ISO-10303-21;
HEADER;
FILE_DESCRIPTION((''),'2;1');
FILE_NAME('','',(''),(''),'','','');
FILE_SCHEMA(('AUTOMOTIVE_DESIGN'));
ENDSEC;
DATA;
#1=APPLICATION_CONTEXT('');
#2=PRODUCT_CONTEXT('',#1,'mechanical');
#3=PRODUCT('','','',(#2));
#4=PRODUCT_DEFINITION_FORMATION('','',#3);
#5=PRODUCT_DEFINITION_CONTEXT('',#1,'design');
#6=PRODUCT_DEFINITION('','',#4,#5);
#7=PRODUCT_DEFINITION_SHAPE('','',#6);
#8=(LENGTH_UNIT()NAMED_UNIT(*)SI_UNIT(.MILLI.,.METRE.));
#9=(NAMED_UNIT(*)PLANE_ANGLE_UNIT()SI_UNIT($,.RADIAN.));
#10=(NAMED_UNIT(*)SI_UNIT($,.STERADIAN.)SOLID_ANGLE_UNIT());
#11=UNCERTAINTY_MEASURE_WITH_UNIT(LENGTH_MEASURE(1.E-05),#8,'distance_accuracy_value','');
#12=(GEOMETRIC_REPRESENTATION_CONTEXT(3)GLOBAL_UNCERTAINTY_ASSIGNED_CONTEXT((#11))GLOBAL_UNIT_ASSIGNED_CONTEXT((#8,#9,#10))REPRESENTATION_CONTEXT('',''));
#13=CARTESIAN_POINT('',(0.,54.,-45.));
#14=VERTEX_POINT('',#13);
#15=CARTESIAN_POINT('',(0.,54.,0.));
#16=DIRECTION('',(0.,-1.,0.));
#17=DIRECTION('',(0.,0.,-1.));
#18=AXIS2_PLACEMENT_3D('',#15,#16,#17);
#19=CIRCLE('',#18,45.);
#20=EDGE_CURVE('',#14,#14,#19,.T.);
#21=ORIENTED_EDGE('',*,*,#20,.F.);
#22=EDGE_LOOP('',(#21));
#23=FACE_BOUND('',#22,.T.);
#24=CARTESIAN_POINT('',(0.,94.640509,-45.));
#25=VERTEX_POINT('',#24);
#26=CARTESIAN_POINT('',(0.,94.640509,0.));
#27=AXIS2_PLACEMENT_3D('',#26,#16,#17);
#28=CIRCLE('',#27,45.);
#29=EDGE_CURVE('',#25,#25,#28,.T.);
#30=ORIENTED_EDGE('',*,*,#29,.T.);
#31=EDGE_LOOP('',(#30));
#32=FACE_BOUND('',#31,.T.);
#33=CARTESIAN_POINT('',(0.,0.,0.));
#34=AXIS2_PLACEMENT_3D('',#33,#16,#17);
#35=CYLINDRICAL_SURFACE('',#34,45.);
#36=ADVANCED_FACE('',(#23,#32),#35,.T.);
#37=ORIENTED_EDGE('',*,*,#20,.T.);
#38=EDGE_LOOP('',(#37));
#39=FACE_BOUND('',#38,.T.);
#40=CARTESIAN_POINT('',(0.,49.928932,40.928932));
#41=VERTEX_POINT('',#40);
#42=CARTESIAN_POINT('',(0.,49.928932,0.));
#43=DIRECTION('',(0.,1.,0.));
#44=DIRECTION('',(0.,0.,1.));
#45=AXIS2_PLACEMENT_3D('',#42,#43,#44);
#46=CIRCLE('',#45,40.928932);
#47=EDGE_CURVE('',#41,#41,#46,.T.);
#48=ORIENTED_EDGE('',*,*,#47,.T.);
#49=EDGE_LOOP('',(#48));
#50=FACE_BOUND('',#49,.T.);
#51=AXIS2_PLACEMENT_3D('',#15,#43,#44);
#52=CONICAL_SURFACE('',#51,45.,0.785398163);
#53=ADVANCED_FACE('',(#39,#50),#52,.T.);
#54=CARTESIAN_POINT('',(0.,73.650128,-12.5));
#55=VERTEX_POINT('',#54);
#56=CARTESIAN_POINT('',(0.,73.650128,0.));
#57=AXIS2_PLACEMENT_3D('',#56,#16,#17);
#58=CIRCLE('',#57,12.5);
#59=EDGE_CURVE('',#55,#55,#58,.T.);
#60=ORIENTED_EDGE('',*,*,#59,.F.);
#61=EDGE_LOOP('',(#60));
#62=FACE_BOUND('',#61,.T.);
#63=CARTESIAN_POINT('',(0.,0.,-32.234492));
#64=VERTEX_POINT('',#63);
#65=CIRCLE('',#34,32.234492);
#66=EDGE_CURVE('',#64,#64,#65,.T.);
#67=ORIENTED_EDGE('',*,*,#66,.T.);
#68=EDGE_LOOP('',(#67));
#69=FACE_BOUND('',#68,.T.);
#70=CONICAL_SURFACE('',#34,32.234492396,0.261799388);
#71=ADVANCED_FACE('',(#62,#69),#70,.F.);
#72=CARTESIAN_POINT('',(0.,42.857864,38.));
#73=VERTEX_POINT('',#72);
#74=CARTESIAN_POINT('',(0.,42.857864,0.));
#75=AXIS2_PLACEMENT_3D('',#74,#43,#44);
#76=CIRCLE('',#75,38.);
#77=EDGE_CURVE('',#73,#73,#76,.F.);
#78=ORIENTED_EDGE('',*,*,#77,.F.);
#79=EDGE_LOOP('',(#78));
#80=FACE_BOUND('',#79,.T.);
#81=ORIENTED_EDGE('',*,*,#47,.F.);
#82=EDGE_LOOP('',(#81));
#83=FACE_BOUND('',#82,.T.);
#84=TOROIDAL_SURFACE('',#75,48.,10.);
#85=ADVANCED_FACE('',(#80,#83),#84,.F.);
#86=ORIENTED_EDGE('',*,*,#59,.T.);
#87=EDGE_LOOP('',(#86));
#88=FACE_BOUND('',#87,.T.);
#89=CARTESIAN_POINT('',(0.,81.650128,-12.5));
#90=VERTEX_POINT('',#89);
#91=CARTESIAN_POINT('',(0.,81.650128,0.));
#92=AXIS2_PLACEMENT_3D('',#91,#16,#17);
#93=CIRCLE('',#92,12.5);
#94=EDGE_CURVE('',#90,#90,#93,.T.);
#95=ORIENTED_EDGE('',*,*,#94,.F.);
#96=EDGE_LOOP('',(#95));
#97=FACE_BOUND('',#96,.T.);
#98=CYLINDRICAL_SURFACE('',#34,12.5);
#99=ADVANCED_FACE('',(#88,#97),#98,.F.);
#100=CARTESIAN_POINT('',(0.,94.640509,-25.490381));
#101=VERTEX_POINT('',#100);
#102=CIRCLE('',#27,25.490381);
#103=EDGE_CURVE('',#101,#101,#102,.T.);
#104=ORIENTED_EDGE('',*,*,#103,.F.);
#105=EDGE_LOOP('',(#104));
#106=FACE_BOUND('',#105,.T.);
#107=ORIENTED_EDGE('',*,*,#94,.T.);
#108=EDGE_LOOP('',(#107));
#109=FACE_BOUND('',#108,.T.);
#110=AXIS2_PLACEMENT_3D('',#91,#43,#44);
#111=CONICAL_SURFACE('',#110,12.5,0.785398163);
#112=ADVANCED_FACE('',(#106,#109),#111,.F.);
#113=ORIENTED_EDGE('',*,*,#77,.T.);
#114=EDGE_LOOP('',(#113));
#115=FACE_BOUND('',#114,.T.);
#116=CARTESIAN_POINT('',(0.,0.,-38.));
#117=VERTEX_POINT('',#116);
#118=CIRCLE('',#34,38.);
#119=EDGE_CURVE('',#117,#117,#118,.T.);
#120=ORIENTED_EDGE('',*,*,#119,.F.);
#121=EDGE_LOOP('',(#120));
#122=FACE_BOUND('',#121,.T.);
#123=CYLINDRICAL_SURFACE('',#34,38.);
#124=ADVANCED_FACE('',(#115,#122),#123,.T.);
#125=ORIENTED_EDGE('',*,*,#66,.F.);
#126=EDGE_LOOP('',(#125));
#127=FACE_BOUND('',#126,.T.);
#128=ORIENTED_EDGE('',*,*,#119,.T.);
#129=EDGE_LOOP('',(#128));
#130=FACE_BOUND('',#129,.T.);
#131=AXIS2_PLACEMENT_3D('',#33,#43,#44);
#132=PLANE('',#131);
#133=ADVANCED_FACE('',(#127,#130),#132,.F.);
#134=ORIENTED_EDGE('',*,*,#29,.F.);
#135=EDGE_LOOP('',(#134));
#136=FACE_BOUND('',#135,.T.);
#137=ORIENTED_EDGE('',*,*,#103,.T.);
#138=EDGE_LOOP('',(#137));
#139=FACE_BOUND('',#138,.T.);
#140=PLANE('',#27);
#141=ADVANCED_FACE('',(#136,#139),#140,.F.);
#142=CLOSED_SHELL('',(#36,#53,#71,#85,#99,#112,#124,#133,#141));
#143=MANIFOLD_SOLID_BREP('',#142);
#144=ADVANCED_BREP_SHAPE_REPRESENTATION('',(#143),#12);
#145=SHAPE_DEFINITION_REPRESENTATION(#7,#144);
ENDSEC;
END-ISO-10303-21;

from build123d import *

# Parameters (mm, degrees)
SCHIZZO4_W  = 25
SCHIZZO4_H  = 30
SCHIZZO5_W  = 7
SCHIZZO5_H  = 40.640509339
RACCORDO1_R = 10


with BuildPart() as part:
    # Schizzo1 → Rivoluzione1 (revolve)
    with BuildSketch(Plane.XY, mode=Mode.PRIVATE) as rivoluzione1_sk:
        Polygon((-32.234492396, 0), (-12.5, 73.650128282), (-12.5, 81.650128282), (-25.490381057, 94.640509339), (-63, 94.640509339), (-38, 64.640509339), (-38, 0), align=None)
    revolve(rivoluzione1_sk.sketch.rotate(Axis((0, 0, 0), (0, 1, 0)), 270), axis=Axis((0, 0, 0), (0, 1, 0)))

    # Schizzo4 → Taglia-Rivoluzione3 (revolve, cut)
    with BuildSketch(Plane.XY, mode=Mode.PRIVATE) as taglia_rivoluzione3_sk:
        with Locations((-50.5, 79.640509339)):
            Rectangle(SCHIZZO4_W, SCHIZZO4_H)
    revolve(taglia_rivoluzione3_sk.sketch.rotate(Axis((0, 0, 0), (0, 1, 0)), 270), axis=Axis((0, 0, 0), (0, 1, 0)), mode=Mode.SUBTRACT)

    # Schizzo5 → Rivoluzione2 (revolve)
    with BuildSketch(Plane.XY, mode=Mode.PRIVATE) as rivoluzione2_sk:
        with Locations((-41.5, 74.32025467)):
            Rectangle(SCHIZZO5_W, SCHIZZO5_H)
        Polygon((-38, 54), (-38, 47), (-45, 54), align=None)
    revolve(rivoluzione2_sk.sketch.rotate(Axis((0, 0, 0), (0, 1, 0)), 270), axis=Axis((0, 0, 0), (0, 1, 0)))

    # Raccordo1
    raccordo1_edges = [part.edges().sort_by_distance(p)[0] for p in [
        (0, 47, 38),
    ]]
    fillet(raccordo1_edges, radius=RACCORDO1_R)


solid = part.part
